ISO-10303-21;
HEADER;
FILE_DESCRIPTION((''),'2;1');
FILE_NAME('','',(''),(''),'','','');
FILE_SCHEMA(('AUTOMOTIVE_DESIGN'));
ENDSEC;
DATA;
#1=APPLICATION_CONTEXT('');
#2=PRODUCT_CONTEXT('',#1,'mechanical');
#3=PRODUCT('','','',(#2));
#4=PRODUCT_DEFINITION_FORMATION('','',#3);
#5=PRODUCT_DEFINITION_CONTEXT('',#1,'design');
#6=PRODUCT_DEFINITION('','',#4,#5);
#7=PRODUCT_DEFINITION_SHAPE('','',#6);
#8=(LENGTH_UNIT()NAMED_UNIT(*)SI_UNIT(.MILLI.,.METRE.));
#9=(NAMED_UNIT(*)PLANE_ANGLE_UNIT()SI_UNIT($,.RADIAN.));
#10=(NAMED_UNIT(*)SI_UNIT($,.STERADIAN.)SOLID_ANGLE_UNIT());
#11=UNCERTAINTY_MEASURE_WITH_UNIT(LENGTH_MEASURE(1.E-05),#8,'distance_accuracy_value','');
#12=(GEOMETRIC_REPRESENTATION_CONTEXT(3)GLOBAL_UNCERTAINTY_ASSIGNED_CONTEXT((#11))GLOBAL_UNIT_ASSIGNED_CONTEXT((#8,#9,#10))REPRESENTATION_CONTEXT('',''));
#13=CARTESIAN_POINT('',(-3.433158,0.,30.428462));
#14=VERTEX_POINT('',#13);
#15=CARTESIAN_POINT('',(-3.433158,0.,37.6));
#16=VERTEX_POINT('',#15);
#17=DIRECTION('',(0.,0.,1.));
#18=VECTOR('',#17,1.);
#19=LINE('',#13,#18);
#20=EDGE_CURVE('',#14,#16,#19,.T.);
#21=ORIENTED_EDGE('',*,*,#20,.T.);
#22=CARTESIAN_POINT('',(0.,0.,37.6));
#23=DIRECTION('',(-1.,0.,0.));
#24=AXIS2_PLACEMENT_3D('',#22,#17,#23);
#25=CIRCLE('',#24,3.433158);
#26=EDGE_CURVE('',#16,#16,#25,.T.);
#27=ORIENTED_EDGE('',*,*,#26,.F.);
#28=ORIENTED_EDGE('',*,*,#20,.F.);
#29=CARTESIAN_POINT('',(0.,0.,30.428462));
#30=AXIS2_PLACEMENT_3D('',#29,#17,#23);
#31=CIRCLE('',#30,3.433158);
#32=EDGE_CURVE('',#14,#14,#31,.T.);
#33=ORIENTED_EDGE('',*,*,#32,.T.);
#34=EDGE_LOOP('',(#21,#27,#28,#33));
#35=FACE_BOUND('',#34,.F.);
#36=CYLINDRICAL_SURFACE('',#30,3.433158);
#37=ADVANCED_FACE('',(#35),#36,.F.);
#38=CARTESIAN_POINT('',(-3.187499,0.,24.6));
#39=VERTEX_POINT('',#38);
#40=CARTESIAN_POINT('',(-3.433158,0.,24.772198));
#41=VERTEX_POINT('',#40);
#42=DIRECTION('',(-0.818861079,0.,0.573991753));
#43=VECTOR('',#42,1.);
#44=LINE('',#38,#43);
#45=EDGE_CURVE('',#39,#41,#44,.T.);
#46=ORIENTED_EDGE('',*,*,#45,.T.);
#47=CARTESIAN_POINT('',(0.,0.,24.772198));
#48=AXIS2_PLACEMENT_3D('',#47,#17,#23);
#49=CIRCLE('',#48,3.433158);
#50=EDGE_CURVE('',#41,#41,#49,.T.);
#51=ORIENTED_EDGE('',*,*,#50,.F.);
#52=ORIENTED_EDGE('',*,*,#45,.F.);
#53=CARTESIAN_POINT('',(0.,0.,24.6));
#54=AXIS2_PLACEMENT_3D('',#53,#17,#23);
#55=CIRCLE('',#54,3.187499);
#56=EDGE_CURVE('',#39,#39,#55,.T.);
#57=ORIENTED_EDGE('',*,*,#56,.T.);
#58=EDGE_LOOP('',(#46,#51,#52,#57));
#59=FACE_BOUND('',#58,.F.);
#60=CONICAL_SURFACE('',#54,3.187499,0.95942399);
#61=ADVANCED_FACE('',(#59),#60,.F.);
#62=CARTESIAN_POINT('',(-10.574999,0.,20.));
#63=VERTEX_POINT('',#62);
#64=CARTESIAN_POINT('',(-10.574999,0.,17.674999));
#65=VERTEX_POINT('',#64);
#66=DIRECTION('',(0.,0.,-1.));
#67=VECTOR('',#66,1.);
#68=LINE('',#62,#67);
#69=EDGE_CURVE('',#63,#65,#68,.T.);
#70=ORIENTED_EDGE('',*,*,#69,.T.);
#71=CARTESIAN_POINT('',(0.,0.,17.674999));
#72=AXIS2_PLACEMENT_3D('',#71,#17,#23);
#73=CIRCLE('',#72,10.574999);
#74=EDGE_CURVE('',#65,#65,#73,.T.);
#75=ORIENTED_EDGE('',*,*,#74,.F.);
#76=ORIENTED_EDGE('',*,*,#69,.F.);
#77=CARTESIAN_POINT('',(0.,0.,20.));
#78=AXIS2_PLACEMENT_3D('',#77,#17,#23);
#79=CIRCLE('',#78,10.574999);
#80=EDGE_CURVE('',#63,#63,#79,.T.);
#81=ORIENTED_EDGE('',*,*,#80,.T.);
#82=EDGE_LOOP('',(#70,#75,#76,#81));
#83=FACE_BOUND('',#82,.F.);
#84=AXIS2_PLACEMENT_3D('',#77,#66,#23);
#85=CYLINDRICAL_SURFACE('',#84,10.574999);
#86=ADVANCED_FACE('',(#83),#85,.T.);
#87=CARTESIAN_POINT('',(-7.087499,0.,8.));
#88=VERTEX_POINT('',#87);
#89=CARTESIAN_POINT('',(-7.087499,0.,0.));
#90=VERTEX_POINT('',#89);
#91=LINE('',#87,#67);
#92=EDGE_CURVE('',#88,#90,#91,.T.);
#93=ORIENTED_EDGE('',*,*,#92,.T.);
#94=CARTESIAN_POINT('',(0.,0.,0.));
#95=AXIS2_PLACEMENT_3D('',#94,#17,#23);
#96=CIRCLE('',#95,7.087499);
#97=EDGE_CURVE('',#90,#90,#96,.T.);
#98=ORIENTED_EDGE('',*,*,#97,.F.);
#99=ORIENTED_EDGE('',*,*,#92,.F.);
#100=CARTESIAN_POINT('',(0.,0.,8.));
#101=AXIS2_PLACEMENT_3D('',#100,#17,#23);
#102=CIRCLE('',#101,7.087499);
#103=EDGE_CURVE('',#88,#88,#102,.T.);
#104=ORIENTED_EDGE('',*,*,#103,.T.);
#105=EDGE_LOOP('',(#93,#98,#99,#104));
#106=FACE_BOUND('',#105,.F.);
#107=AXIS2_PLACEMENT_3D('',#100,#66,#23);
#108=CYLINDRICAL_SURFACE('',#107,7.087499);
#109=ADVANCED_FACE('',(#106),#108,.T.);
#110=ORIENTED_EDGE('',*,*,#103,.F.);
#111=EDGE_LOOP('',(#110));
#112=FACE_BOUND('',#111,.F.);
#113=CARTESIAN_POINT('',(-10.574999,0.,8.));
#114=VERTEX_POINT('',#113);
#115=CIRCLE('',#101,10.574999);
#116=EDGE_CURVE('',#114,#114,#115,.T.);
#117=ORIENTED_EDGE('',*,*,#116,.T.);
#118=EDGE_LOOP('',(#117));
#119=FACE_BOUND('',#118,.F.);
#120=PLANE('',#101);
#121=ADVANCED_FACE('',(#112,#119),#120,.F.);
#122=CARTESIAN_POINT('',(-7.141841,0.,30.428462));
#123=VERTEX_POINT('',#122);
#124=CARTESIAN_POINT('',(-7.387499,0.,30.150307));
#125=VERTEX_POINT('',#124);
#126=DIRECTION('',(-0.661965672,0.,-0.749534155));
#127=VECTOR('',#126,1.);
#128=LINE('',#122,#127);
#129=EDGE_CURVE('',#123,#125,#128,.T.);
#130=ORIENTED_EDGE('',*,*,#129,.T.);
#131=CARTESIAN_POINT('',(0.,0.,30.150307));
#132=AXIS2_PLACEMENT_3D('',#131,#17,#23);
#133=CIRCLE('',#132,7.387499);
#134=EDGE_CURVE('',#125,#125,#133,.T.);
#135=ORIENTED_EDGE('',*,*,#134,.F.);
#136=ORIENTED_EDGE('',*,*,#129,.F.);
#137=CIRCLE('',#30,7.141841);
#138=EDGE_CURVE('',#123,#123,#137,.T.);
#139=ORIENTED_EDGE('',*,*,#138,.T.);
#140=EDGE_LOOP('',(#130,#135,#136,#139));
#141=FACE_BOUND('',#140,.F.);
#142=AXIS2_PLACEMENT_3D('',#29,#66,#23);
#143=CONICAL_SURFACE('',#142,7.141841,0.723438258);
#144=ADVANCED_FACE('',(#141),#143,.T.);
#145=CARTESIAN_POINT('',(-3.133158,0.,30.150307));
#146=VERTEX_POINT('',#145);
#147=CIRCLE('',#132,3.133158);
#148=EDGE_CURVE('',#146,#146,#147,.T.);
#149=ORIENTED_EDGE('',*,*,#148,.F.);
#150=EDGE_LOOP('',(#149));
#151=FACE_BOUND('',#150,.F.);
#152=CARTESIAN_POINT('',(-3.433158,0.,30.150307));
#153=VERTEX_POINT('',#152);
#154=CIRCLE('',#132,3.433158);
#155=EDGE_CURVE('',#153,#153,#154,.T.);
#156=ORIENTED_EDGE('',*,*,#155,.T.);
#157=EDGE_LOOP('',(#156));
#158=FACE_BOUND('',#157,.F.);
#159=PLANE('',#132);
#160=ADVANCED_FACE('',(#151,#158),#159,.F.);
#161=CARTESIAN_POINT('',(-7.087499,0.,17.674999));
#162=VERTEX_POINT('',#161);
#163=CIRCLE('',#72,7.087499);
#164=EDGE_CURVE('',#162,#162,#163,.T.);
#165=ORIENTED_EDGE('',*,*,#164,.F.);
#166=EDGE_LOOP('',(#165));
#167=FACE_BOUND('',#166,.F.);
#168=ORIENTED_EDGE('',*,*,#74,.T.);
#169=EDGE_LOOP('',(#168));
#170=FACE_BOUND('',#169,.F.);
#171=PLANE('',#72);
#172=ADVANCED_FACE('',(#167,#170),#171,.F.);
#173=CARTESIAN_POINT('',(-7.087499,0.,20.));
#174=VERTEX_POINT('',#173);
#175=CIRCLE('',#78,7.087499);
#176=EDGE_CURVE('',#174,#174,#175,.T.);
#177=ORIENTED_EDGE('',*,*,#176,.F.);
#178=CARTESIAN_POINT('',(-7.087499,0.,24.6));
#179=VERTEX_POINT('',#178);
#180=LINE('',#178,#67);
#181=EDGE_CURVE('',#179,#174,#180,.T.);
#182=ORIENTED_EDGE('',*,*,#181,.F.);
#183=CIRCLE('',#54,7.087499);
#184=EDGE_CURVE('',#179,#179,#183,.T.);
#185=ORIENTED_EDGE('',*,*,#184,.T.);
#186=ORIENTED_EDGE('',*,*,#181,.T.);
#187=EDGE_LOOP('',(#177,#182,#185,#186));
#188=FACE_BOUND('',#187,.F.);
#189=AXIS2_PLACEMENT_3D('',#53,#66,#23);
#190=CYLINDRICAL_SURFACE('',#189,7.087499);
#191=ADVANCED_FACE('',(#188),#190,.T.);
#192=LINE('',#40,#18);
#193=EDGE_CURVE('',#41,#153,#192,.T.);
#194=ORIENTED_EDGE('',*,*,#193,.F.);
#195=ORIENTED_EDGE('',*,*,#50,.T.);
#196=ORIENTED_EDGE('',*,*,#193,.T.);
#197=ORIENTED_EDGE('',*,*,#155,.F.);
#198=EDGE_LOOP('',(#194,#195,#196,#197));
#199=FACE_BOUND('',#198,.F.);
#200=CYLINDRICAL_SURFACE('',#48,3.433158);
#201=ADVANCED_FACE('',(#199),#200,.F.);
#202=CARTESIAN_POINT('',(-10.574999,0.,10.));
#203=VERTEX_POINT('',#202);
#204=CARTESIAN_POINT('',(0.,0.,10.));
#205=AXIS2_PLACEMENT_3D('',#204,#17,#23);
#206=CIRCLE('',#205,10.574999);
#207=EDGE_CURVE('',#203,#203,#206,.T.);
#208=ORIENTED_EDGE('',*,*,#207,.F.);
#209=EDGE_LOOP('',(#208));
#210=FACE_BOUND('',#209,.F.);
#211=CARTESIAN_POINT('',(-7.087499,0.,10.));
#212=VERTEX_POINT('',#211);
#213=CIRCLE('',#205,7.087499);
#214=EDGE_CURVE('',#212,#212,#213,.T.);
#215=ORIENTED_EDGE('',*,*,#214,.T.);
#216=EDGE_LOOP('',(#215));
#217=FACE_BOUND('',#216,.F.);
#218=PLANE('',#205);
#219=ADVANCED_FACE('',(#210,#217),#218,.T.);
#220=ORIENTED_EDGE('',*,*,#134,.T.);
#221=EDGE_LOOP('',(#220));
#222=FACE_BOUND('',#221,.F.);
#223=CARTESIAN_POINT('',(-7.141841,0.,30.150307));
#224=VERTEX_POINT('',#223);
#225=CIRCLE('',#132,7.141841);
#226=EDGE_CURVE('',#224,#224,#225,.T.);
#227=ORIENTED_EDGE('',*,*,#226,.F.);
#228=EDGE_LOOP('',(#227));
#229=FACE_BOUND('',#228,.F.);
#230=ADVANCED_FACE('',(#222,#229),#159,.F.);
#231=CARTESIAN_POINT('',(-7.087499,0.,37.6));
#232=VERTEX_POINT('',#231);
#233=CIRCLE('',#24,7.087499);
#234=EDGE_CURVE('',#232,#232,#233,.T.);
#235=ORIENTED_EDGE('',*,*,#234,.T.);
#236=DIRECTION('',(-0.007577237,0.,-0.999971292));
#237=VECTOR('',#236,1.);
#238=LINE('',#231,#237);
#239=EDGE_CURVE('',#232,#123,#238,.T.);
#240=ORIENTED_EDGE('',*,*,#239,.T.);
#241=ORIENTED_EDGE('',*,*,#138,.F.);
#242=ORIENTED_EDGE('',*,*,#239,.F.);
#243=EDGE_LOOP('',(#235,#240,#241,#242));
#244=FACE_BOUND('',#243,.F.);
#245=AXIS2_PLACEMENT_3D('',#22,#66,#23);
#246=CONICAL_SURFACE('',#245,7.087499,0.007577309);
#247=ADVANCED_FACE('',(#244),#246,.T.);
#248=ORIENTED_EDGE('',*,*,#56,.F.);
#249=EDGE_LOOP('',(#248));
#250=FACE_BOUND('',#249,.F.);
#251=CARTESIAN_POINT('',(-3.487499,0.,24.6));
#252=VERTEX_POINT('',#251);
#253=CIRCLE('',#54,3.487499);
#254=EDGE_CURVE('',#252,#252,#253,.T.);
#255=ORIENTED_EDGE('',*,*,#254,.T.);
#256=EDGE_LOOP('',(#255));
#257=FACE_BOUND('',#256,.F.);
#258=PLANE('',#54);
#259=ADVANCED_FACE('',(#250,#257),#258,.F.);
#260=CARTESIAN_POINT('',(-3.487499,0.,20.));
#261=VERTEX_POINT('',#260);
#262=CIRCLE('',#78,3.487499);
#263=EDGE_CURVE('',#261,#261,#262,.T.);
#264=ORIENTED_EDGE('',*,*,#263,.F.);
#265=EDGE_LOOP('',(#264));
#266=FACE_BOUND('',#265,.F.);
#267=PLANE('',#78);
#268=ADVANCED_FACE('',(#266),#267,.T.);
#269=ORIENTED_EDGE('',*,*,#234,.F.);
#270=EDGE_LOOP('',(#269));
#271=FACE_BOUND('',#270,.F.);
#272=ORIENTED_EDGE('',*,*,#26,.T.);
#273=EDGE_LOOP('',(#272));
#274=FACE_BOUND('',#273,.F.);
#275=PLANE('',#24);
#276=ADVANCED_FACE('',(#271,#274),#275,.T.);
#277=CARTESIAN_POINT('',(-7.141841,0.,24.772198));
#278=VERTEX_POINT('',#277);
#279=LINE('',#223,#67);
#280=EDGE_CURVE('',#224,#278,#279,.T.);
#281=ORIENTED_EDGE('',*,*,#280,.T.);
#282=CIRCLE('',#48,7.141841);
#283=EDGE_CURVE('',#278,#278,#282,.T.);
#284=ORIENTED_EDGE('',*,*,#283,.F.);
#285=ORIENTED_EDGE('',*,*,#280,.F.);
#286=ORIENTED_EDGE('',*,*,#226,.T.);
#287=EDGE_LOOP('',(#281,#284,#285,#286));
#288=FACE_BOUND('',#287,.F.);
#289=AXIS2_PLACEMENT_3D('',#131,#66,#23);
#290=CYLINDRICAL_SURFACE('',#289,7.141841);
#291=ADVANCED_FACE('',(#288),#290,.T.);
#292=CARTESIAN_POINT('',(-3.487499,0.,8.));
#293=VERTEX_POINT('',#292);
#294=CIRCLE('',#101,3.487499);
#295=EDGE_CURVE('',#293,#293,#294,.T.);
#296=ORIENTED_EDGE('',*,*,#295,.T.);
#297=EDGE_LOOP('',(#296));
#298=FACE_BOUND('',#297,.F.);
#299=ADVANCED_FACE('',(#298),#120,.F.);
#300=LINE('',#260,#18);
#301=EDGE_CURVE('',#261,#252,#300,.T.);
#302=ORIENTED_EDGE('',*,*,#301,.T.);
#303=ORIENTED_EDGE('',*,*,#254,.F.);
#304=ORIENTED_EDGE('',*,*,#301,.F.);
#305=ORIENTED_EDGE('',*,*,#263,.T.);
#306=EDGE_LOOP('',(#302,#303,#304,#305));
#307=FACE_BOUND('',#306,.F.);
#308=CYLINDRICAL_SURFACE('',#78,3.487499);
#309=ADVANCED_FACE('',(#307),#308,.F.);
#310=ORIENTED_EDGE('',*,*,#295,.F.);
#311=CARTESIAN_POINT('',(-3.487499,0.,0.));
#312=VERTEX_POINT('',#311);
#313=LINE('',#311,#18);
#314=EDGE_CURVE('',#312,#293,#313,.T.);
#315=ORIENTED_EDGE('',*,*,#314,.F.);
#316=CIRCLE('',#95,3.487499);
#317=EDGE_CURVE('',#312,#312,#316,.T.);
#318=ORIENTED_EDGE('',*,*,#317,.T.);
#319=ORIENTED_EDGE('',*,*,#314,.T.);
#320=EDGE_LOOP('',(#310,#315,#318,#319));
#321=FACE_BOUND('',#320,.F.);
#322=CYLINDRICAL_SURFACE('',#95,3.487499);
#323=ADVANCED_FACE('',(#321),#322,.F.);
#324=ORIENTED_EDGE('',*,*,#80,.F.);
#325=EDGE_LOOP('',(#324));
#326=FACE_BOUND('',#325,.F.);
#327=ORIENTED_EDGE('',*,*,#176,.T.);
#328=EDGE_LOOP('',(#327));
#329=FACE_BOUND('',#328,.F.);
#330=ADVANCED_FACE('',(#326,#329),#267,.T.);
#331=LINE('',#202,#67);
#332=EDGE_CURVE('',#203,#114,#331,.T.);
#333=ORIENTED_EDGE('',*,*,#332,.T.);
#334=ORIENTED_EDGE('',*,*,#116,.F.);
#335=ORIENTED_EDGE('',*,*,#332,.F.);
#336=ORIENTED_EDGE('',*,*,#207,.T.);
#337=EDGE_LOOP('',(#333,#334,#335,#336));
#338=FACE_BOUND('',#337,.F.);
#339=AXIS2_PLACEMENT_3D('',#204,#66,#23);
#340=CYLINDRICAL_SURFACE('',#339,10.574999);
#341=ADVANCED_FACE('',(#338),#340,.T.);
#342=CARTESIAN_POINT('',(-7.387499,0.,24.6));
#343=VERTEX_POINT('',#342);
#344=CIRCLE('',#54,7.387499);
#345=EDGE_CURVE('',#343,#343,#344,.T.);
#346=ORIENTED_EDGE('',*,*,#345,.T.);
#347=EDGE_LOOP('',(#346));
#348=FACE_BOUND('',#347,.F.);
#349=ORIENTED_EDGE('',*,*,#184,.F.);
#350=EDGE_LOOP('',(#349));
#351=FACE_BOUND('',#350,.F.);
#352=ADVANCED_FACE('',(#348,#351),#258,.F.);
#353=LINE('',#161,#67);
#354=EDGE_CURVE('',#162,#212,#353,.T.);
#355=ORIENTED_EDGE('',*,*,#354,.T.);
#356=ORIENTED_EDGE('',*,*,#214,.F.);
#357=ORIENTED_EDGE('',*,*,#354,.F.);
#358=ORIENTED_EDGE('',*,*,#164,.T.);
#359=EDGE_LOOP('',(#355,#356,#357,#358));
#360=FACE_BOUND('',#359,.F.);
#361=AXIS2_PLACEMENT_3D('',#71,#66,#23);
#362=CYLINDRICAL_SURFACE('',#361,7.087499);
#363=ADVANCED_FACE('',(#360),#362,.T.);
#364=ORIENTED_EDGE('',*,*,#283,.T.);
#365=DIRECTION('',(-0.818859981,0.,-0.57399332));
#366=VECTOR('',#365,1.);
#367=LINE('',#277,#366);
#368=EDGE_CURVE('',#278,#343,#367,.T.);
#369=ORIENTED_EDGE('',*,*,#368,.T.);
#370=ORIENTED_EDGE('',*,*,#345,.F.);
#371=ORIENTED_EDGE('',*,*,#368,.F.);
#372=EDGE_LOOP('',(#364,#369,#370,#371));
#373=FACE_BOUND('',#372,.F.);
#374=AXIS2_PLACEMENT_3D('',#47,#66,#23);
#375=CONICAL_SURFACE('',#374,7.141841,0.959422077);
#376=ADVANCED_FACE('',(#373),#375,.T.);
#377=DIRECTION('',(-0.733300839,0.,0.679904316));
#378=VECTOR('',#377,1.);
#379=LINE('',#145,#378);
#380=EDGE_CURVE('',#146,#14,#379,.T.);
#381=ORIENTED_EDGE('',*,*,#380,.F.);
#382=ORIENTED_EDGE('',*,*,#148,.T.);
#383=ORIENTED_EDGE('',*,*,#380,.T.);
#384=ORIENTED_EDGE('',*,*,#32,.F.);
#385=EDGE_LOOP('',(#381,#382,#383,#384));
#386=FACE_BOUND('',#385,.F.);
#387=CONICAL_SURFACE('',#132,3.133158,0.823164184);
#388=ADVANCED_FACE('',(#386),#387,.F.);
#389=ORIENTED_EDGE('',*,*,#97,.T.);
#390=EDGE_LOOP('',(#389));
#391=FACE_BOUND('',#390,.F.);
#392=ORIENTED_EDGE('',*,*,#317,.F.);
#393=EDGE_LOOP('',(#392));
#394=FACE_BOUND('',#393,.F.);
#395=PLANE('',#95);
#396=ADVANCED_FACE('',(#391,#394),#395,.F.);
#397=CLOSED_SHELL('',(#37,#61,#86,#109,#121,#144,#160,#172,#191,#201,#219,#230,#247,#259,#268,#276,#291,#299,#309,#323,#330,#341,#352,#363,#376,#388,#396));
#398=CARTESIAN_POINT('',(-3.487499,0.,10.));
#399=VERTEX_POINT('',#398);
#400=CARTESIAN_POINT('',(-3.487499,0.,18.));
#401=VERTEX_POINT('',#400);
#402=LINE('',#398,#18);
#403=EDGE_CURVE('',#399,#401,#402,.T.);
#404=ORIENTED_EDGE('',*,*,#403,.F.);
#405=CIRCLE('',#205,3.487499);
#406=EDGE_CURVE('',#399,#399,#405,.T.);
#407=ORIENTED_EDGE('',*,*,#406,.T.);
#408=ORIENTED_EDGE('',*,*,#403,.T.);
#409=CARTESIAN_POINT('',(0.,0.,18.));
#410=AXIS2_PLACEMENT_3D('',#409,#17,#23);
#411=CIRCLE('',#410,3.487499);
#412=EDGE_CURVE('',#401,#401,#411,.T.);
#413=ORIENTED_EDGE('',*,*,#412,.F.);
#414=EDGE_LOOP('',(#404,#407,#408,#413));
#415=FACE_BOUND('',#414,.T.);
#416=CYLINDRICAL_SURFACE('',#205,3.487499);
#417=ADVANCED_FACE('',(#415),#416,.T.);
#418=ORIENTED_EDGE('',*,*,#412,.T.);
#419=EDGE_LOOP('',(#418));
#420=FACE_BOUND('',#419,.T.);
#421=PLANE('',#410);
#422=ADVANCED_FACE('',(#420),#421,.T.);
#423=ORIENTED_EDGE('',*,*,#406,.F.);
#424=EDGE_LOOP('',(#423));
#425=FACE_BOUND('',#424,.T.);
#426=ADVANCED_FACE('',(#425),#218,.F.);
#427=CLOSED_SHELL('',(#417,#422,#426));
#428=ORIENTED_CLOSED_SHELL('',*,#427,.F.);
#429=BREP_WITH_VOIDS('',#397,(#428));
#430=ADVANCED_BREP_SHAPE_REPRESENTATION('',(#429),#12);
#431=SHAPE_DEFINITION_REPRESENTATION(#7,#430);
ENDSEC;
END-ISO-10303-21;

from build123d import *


with BuildPart() as f1:
    # F0 (on Front) → F1 (revolve)
    with BuildSketch(Plane.XZ):
        Polygon((-7.087499, 8), (-7.087499, 0), (-3.487499, 0), (-3.487499, 8), (0, 8), (0, 10), (-3.487499, 10), (-3.487499, 18), (0, 18), (0, 20), (-3.487499, 20), (-3.487499, 24.6), (-3.187499, 24.6), (-3.433158, 24.772198), (-3.433158, 30.150307), (-3.133158, 30.150307), (-3.433158, 30.428462), (-3.433158, 37.6), (-7.087499, 37.6), (-7.141841, 30.428462), (-7.387499, 30.150307), (-7.141841, 30.150307), (-7.141841, 24.772198), (-7.387499, 24.6), (-7.087499, 24.6), (-7.087499, 20), (-10.574999, 20), (-10.574999, 17.674999), (-7.087499, 17.674999), (-7.087499, 10), (-10.574999, 10), (-10.574999, 8), align=None)
    revolve(axis=Axis((0, 0, 19), (0, 0, 1)))


solid = f1.part
